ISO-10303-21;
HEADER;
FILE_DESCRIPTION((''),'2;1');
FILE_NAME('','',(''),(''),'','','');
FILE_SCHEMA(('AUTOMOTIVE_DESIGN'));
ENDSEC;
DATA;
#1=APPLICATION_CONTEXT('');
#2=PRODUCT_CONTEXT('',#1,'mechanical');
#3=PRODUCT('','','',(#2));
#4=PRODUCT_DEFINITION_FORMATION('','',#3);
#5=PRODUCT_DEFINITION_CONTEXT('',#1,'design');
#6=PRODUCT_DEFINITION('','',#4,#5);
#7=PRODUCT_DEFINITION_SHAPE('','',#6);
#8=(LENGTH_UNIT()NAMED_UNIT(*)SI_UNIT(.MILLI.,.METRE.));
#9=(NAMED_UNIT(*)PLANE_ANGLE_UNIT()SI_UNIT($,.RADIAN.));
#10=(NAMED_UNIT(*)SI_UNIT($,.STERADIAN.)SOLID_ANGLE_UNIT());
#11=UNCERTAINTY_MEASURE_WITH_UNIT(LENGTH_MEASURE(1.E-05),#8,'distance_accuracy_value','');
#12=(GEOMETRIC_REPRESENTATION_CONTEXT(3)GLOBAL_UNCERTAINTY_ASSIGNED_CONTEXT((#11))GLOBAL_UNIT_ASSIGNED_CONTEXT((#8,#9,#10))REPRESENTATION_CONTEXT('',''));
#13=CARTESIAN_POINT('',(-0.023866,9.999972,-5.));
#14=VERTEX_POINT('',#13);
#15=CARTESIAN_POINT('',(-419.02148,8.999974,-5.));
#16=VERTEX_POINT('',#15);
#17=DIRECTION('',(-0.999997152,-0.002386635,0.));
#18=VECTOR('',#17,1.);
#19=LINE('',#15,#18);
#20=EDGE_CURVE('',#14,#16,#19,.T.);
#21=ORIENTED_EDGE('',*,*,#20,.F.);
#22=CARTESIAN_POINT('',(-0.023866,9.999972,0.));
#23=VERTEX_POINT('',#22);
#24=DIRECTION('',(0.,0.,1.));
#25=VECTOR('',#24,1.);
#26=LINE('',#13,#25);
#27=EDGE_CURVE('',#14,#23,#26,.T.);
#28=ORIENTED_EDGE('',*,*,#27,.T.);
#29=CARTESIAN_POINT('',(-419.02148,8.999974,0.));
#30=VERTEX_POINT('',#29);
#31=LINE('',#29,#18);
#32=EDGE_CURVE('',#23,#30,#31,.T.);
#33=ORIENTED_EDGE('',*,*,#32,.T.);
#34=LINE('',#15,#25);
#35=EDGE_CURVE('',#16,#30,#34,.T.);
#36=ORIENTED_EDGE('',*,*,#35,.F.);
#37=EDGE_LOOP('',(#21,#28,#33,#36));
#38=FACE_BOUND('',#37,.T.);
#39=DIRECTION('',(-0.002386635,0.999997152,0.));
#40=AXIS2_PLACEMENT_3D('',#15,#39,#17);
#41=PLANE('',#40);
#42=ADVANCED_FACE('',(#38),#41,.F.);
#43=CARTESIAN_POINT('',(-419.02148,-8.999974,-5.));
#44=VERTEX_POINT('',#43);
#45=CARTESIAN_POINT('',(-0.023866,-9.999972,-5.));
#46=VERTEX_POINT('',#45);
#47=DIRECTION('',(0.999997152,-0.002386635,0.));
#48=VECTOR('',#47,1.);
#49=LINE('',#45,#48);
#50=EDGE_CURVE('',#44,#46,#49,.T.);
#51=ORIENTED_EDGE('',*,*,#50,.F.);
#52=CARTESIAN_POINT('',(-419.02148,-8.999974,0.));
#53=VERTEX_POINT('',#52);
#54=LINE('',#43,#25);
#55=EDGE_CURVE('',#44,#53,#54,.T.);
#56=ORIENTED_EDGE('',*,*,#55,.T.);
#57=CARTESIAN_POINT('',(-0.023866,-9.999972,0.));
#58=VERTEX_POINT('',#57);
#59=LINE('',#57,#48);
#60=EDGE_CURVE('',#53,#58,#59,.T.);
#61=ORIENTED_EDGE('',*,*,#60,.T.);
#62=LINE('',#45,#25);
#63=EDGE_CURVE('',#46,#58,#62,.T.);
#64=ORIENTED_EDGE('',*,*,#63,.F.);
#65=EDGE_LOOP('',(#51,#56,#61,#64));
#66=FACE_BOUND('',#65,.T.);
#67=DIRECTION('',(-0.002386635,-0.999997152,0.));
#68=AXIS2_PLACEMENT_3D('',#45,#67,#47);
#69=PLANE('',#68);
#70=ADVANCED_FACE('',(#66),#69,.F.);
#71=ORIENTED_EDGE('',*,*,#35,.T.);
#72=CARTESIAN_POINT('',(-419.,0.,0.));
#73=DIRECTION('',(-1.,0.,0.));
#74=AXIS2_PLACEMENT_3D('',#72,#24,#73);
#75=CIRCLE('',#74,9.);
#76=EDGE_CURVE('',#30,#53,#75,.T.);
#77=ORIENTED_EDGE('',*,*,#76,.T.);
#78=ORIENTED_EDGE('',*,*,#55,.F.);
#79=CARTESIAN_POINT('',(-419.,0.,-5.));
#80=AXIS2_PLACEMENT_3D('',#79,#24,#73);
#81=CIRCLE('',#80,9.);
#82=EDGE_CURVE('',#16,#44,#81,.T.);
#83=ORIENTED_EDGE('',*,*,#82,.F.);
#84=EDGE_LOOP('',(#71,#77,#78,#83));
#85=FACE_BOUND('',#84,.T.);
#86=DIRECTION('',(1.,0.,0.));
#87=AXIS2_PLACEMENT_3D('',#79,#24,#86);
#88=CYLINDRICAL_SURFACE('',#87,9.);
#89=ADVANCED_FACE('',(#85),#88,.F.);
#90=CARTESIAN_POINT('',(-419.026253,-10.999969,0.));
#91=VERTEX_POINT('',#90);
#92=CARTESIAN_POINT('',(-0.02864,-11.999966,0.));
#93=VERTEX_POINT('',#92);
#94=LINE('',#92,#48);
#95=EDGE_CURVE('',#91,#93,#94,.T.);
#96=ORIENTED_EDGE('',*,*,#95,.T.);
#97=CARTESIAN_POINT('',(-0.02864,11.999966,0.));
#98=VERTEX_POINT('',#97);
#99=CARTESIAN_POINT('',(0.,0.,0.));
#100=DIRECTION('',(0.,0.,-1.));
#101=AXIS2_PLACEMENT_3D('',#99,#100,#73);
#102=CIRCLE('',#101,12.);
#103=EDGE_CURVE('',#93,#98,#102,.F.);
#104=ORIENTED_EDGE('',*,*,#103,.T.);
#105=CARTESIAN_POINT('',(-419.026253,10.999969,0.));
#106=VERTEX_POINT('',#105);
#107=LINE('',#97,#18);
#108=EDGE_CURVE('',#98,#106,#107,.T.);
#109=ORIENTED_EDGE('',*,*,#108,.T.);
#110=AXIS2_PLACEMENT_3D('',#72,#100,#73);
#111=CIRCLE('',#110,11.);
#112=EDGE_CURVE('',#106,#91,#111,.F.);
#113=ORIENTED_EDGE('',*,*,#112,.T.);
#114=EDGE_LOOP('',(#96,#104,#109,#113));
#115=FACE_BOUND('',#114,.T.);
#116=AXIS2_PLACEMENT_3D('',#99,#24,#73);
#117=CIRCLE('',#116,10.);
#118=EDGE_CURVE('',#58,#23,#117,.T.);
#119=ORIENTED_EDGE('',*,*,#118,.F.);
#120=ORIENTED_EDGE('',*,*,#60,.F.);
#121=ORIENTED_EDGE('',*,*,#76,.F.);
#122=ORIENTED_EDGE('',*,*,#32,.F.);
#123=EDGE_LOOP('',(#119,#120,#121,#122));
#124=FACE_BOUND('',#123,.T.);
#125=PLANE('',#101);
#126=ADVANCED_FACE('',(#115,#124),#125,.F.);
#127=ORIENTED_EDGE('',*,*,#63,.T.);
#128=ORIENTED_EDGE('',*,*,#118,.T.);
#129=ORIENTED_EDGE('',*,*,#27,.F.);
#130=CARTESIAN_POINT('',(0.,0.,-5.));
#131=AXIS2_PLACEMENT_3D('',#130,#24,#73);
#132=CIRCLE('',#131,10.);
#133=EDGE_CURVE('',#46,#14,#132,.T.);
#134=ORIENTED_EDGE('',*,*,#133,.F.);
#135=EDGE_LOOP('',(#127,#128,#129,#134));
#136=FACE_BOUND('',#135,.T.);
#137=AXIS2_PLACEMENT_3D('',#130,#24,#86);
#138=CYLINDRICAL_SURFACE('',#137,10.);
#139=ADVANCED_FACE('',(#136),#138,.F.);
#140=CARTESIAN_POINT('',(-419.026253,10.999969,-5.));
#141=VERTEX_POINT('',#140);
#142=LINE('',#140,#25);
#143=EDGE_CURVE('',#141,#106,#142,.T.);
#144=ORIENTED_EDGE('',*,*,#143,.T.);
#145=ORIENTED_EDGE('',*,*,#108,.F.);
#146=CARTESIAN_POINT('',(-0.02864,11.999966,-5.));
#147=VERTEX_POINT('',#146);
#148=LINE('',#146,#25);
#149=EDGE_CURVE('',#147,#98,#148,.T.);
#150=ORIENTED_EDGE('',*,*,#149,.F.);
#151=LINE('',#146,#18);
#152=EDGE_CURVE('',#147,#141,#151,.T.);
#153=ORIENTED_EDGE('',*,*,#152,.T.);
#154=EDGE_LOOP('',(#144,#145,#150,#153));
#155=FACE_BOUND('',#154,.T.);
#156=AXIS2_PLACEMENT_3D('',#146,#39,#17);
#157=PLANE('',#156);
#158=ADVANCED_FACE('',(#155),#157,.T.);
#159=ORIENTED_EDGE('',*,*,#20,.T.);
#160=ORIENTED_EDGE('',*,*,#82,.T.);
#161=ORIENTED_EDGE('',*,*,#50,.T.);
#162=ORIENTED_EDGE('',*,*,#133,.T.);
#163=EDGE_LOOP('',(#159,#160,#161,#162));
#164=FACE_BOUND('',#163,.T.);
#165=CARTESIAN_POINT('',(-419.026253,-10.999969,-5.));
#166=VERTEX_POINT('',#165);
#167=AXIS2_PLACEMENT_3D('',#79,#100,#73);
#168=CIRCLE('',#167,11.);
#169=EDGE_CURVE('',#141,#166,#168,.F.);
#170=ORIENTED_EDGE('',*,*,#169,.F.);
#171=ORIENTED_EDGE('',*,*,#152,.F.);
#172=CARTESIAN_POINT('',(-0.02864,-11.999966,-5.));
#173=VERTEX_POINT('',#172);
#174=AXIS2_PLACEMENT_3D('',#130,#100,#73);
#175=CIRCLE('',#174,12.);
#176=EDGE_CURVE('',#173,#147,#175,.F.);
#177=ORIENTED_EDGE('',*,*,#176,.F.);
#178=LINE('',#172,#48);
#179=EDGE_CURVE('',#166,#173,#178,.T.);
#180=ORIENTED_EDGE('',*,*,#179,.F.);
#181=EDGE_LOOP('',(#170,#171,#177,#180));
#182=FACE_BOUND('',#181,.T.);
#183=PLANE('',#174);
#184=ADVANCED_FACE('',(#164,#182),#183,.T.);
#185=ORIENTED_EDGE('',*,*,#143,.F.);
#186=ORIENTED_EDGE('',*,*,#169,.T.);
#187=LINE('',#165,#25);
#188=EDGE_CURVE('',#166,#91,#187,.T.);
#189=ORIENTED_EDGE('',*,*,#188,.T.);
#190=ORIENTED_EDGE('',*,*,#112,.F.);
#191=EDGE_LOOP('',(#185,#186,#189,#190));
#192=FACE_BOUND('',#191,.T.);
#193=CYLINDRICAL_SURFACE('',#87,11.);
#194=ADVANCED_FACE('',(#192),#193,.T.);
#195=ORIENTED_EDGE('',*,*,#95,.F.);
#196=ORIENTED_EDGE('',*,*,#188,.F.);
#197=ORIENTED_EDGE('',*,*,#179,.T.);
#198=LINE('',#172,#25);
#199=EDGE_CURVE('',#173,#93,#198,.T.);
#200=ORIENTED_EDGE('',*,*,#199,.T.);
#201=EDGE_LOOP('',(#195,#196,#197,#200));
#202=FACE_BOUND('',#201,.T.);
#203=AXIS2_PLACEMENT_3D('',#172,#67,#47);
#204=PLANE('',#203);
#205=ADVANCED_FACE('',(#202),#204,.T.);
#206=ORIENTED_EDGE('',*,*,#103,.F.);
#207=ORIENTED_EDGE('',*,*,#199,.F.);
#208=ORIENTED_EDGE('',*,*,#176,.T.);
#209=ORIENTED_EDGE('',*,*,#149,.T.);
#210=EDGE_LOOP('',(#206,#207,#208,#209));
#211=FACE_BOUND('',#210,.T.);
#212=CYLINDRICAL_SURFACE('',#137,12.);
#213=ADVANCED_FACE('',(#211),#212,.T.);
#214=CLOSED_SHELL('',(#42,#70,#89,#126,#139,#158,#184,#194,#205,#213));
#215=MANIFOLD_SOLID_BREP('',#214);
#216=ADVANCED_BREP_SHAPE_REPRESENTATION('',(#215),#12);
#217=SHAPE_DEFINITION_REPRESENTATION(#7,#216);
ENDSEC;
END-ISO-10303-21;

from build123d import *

# Parameters (mm, degrees)
EXTRUDE_THIN1_DEPTH = 5


with BuildPart() as part:
    # Sketch2 → Extrude-Thin1 (new body)
    with BuildSketch(Plane.XY):
        with BuildLine():
            Line((-419.026252983, 10.999968672), (-0.028639618, 11.999965824))
            ThreePointArc((-0.028639618, 11.999965824), (12, 0), (-0.028639618, -11.999965824))
            Line((-0.028639618, -11.999965824), (-419.026252983, -10.999968672))
            ThreePointArc((-419.026252983, -10.999968672), (-430, 0), (-419.026252983, 10.999968672))
        make_face()
        with BuildLine():
            Line((-419.021479714, 8.999974368), (-0.023866348, 9.99997152))
            ThreePointArc((-0.023866348, 9.99997152), (10, 0), (-0.023866348, -9.99997152))
            Line((-0.023866348, -9.99997152), (-419.021479714, -8.999974368))
            ThreePointArc((-419.021479714, -8.999974368), (-428, 0), (-419.021479714, 8.999974368))
        make_face(mode=Mode.SUBTRACT)
    extrude(amount=-EXTRUDE_THIN1_DEPTH)


solid = part.part
